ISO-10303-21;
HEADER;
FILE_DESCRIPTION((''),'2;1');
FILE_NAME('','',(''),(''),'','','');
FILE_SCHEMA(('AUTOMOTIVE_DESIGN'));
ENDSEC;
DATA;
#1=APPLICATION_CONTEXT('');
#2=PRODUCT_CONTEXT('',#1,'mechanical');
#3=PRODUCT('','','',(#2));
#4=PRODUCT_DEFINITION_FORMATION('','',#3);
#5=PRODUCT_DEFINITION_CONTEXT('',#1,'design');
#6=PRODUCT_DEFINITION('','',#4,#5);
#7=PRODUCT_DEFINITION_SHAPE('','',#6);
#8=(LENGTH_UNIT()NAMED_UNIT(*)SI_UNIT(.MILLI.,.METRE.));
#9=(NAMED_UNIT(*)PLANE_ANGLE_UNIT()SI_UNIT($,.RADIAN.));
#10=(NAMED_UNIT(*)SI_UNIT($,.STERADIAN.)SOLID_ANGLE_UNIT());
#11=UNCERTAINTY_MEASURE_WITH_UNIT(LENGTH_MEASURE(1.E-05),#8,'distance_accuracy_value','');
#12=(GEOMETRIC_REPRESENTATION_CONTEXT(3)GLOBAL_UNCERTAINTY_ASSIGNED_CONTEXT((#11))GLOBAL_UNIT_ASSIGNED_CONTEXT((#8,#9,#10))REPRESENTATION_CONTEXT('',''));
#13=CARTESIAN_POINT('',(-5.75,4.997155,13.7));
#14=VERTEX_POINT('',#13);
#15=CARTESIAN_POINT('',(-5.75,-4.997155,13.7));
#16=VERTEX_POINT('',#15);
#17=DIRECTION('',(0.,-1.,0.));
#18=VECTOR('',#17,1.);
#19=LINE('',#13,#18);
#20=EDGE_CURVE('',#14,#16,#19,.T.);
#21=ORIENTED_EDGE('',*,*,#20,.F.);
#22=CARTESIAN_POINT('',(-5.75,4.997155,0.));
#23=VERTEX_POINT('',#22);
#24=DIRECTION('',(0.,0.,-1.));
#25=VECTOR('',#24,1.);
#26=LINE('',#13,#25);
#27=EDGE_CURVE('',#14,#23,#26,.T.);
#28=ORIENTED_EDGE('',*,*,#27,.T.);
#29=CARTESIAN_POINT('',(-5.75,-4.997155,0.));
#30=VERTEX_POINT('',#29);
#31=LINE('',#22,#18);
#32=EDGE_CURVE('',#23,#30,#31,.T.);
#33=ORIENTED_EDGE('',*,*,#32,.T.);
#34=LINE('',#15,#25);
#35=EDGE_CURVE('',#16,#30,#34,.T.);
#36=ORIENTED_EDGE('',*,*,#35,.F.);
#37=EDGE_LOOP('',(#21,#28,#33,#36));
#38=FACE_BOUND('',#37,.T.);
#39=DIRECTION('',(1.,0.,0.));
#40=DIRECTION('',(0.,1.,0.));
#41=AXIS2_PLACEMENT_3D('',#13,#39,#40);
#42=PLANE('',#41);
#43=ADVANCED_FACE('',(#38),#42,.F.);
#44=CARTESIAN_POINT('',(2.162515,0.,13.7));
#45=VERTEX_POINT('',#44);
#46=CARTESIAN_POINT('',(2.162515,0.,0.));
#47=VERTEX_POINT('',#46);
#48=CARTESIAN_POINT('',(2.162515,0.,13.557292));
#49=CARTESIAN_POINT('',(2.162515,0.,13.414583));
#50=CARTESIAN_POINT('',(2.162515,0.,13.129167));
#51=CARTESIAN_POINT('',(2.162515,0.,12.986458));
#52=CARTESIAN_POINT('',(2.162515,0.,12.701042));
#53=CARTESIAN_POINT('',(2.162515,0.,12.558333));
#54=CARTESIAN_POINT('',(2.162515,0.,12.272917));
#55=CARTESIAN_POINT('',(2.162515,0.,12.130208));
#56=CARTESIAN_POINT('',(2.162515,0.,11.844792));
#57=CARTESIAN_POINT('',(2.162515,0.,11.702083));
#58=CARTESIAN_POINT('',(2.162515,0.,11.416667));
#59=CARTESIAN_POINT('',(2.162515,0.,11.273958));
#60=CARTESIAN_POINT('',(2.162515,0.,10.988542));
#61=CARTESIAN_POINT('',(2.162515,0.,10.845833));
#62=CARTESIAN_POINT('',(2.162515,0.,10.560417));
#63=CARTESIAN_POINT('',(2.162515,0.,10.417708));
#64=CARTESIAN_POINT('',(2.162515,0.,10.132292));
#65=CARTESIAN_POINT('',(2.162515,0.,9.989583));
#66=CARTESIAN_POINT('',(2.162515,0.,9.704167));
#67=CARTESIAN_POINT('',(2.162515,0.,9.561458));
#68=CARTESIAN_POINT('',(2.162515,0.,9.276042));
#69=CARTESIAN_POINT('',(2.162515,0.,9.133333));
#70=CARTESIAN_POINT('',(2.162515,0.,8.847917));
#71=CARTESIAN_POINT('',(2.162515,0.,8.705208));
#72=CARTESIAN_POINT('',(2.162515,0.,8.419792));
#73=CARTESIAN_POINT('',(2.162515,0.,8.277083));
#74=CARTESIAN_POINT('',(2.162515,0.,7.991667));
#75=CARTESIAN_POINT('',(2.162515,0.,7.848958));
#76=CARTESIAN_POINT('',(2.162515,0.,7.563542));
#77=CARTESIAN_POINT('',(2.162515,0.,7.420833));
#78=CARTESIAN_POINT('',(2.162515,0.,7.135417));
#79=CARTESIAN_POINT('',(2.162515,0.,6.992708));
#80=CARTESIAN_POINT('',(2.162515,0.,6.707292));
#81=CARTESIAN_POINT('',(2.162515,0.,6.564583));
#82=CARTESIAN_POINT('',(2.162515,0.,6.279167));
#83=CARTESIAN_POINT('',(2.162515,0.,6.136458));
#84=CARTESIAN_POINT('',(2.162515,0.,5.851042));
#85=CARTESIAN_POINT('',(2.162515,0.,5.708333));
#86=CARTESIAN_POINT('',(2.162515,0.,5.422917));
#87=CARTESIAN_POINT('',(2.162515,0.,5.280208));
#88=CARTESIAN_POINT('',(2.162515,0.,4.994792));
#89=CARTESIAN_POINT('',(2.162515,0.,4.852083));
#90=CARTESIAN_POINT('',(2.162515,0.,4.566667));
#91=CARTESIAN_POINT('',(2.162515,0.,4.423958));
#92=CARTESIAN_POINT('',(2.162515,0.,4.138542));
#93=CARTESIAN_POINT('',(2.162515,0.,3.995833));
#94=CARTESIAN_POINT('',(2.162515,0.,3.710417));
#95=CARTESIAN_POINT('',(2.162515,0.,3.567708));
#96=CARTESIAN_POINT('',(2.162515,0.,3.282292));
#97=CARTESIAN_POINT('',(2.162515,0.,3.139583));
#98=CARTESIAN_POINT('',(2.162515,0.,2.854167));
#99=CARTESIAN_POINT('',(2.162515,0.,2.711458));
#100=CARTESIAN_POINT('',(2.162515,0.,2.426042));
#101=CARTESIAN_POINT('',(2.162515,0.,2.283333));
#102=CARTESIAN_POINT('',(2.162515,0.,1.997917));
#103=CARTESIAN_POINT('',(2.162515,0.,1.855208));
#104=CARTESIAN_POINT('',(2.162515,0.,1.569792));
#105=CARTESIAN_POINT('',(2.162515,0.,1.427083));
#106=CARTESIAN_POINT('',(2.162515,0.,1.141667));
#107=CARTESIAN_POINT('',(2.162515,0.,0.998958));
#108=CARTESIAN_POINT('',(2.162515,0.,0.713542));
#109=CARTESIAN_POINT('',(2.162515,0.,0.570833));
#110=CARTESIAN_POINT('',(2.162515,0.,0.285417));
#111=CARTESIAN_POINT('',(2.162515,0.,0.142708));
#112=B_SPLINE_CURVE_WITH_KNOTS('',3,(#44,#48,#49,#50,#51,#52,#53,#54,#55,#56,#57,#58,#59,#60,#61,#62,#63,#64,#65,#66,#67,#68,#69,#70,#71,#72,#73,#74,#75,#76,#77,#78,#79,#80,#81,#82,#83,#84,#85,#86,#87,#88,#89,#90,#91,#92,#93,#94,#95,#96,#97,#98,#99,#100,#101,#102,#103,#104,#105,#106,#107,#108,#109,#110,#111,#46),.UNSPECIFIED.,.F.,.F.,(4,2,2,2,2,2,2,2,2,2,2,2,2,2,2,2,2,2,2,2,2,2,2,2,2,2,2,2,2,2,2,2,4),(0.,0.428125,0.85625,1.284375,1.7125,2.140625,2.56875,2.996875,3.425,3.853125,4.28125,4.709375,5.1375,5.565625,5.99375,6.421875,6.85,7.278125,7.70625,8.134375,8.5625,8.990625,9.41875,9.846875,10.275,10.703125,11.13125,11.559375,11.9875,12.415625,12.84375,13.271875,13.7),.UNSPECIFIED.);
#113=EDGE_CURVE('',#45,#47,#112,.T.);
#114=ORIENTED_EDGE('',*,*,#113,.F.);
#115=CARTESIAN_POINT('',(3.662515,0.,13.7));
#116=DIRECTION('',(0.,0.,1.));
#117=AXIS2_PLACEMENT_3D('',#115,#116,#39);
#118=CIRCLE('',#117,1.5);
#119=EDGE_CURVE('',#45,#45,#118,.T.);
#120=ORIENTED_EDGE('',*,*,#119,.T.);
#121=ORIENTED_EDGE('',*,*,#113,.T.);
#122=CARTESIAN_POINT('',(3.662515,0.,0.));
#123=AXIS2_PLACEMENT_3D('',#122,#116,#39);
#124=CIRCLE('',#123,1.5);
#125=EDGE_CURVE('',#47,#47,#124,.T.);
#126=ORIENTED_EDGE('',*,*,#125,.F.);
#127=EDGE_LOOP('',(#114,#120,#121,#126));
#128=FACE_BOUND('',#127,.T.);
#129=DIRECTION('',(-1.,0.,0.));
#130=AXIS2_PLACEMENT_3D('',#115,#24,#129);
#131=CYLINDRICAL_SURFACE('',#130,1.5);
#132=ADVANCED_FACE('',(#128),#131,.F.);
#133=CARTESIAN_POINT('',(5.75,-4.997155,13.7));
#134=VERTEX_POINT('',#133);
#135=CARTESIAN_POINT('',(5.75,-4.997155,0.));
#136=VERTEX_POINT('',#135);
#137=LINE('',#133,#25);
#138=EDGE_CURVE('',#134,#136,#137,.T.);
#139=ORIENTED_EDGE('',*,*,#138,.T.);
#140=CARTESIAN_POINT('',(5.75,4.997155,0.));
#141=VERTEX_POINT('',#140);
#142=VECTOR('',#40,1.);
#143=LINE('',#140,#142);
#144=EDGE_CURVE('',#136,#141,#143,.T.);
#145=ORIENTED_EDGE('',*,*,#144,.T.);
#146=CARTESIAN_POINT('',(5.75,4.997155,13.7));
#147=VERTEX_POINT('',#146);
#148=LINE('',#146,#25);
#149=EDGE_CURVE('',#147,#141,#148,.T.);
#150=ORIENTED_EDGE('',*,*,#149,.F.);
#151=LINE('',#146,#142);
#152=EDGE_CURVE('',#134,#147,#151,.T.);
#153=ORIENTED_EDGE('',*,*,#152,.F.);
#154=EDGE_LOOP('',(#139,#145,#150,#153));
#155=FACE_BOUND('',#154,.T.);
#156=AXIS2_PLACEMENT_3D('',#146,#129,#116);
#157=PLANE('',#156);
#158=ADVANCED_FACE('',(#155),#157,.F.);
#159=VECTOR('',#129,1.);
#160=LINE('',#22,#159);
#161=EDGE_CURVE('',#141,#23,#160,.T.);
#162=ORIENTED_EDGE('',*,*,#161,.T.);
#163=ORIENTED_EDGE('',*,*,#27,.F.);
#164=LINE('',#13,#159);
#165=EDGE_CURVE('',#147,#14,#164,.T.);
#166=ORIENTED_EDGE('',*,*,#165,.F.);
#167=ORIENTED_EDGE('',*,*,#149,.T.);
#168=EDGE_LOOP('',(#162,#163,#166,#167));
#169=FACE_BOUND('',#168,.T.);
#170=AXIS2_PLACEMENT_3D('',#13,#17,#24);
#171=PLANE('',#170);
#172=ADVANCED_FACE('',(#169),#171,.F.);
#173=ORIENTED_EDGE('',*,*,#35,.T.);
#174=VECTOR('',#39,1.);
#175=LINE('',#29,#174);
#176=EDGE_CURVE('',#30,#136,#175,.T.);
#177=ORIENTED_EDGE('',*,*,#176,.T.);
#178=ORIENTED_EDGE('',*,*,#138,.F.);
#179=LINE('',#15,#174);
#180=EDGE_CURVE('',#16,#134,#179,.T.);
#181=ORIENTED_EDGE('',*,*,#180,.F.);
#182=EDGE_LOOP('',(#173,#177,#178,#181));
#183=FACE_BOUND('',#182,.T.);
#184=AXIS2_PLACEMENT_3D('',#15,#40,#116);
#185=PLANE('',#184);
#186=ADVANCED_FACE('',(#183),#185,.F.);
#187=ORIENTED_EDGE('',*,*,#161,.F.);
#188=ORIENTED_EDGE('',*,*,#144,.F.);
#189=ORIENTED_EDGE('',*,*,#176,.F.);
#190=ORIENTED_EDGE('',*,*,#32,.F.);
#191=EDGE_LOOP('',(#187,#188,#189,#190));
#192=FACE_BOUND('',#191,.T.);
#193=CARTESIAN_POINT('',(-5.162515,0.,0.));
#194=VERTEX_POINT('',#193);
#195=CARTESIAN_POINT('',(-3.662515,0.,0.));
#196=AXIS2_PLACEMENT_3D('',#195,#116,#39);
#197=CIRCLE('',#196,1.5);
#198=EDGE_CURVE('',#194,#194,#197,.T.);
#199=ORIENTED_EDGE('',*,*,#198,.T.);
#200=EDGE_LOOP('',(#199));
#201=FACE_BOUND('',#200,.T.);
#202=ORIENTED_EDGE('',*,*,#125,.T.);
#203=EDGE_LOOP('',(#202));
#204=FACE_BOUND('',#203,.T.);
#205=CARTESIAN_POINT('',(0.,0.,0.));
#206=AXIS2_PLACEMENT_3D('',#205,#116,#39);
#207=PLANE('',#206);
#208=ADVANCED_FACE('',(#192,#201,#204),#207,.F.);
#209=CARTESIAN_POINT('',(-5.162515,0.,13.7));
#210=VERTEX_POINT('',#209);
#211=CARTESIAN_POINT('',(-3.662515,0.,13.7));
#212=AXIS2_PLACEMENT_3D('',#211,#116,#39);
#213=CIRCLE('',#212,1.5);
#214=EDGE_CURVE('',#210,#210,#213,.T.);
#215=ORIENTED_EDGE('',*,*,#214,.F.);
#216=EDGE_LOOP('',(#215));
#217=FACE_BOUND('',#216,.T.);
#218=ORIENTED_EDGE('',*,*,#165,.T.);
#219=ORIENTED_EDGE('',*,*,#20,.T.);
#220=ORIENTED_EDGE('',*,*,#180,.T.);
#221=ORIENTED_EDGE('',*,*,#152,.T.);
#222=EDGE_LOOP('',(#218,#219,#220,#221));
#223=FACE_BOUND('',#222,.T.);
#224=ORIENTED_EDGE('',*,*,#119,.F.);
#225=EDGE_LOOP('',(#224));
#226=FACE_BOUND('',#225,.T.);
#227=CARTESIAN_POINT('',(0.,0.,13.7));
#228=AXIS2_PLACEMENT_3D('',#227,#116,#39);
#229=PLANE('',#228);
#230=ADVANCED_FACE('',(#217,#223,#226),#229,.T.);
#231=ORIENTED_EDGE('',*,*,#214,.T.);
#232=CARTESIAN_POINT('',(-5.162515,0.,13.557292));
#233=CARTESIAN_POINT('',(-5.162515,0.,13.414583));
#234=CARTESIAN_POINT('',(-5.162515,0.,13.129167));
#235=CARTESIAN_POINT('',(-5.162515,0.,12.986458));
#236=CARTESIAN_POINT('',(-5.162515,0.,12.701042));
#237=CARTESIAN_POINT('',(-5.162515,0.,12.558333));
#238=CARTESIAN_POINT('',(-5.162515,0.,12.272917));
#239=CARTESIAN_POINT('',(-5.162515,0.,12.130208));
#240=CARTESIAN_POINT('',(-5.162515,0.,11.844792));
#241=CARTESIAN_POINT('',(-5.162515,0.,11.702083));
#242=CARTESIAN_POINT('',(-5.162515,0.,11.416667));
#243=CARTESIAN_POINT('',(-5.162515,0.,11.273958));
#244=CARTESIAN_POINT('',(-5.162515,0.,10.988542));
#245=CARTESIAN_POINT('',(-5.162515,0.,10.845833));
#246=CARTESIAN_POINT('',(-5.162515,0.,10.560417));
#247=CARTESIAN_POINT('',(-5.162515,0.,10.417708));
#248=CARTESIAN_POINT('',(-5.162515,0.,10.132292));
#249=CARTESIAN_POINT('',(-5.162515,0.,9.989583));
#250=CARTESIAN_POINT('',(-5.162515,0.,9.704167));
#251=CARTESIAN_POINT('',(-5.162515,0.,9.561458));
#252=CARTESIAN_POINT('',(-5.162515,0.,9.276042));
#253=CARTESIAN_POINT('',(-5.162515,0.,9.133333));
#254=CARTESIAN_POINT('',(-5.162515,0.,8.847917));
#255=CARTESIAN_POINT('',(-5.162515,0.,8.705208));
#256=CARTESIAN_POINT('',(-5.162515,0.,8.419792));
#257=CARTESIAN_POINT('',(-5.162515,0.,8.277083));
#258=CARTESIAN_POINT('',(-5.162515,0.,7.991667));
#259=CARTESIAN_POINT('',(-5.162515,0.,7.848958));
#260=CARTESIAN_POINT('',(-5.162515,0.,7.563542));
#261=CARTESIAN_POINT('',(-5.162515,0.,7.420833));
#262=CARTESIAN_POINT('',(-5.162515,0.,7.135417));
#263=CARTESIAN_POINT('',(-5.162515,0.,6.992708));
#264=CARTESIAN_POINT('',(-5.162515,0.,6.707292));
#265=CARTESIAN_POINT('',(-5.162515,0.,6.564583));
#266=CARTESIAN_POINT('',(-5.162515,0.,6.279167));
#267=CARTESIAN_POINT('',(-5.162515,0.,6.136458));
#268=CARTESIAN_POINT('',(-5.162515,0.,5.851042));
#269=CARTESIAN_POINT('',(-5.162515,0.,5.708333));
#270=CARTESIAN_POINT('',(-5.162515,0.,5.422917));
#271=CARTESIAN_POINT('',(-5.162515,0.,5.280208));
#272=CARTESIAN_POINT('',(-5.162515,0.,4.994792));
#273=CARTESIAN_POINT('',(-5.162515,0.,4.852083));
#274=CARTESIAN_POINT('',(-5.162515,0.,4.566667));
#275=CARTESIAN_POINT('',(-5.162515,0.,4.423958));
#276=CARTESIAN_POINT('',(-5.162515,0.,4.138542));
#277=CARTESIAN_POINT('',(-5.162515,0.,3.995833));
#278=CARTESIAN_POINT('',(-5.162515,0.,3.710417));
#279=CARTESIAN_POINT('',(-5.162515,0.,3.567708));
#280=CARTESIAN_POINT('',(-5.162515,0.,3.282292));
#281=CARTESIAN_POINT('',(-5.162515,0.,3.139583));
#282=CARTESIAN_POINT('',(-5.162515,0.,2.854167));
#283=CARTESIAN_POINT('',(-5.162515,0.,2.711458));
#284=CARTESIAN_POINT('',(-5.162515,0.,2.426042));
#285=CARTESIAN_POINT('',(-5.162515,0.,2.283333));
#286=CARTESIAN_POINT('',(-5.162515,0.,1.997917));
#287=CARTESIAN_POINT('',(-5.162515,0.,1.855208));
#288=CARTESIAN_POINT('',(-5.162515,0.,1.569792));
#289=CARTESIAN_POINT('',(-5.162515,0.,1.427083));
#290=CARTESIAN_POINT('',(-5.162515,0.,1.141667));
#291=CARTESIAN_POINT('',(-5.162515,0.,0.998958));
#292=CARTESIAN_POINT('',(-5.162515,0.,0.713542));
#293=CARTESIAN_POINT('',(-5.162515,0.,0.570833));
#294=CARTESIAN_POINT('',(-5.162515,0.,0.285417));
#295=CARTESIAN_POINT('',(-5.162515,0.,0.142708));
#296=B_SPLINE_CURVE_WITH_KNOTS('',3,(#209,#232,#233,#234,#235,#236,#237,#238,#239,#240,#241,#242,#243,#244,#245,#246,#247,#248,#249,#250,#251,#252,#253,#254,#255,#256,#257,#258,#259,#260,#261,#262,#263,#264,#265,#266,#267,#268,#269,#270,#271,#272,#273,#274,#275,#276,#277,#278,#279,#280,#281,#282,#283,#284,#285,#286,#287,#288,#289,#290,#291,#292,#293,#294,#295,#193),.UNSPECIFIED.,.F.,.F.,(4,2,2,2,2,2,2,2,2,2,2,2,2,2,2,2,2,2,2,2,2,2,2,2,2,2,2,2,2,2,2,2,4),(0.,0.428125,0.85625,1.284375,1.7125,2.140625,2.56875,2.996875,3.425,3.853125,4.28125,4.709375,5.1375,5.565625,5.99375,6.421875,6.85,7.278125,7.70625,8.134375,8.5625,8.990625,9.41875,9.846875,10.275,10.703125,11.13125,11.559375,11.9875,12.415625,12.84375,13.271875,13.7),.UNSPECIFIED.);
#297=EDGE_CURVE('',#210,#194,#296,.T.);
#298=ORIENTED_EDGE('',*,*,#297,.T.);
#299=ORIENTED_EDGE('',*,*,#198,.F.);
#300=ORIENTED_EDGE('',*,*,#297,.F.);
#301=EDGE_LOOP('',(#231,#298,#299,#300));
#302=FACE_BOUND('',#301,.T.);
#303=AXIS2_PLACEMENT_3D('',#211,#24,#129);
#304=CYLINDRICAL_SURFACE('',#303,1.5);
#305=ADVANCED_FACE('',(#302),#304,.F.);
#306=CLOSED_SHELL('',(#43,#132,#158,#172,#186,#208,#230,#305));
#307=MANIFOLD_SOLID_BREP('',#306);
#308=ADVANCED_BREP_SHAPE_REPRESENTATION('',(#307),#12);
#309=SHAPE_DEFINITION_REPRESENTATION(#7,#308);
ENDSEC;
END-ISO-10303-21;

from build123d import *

# Parameters (mm, degrees)
SKETCH3_W           = 11.5
SKETCH3_H           = 9.994310106
SKETCH3_R           = 1.5
BOSS_EXTRUDE2_DEPTH = 13.7


with BuildPart() as part:
    # Sketch3 → Boss-Extrude2 (new body)
    with BuildSketch(Plane.XY):
        Rectangle(SKETCH3_W, SKETCH3_H)
        with Locations(Location((3.662514997, 0, 0), (0, 0, 180))):
            Circle(SKETCH3_R, mode=Mode.SUBTRACT)
        with Locations(Location((-3.662514997, 0, 0), (0, 0, 180))):
            Circle(SKETCH3_R, mode=Mode.SUBTRACT)
    extrude(amount=BOSS_EXTRUDE2_DEPTH)


solid = part.part
